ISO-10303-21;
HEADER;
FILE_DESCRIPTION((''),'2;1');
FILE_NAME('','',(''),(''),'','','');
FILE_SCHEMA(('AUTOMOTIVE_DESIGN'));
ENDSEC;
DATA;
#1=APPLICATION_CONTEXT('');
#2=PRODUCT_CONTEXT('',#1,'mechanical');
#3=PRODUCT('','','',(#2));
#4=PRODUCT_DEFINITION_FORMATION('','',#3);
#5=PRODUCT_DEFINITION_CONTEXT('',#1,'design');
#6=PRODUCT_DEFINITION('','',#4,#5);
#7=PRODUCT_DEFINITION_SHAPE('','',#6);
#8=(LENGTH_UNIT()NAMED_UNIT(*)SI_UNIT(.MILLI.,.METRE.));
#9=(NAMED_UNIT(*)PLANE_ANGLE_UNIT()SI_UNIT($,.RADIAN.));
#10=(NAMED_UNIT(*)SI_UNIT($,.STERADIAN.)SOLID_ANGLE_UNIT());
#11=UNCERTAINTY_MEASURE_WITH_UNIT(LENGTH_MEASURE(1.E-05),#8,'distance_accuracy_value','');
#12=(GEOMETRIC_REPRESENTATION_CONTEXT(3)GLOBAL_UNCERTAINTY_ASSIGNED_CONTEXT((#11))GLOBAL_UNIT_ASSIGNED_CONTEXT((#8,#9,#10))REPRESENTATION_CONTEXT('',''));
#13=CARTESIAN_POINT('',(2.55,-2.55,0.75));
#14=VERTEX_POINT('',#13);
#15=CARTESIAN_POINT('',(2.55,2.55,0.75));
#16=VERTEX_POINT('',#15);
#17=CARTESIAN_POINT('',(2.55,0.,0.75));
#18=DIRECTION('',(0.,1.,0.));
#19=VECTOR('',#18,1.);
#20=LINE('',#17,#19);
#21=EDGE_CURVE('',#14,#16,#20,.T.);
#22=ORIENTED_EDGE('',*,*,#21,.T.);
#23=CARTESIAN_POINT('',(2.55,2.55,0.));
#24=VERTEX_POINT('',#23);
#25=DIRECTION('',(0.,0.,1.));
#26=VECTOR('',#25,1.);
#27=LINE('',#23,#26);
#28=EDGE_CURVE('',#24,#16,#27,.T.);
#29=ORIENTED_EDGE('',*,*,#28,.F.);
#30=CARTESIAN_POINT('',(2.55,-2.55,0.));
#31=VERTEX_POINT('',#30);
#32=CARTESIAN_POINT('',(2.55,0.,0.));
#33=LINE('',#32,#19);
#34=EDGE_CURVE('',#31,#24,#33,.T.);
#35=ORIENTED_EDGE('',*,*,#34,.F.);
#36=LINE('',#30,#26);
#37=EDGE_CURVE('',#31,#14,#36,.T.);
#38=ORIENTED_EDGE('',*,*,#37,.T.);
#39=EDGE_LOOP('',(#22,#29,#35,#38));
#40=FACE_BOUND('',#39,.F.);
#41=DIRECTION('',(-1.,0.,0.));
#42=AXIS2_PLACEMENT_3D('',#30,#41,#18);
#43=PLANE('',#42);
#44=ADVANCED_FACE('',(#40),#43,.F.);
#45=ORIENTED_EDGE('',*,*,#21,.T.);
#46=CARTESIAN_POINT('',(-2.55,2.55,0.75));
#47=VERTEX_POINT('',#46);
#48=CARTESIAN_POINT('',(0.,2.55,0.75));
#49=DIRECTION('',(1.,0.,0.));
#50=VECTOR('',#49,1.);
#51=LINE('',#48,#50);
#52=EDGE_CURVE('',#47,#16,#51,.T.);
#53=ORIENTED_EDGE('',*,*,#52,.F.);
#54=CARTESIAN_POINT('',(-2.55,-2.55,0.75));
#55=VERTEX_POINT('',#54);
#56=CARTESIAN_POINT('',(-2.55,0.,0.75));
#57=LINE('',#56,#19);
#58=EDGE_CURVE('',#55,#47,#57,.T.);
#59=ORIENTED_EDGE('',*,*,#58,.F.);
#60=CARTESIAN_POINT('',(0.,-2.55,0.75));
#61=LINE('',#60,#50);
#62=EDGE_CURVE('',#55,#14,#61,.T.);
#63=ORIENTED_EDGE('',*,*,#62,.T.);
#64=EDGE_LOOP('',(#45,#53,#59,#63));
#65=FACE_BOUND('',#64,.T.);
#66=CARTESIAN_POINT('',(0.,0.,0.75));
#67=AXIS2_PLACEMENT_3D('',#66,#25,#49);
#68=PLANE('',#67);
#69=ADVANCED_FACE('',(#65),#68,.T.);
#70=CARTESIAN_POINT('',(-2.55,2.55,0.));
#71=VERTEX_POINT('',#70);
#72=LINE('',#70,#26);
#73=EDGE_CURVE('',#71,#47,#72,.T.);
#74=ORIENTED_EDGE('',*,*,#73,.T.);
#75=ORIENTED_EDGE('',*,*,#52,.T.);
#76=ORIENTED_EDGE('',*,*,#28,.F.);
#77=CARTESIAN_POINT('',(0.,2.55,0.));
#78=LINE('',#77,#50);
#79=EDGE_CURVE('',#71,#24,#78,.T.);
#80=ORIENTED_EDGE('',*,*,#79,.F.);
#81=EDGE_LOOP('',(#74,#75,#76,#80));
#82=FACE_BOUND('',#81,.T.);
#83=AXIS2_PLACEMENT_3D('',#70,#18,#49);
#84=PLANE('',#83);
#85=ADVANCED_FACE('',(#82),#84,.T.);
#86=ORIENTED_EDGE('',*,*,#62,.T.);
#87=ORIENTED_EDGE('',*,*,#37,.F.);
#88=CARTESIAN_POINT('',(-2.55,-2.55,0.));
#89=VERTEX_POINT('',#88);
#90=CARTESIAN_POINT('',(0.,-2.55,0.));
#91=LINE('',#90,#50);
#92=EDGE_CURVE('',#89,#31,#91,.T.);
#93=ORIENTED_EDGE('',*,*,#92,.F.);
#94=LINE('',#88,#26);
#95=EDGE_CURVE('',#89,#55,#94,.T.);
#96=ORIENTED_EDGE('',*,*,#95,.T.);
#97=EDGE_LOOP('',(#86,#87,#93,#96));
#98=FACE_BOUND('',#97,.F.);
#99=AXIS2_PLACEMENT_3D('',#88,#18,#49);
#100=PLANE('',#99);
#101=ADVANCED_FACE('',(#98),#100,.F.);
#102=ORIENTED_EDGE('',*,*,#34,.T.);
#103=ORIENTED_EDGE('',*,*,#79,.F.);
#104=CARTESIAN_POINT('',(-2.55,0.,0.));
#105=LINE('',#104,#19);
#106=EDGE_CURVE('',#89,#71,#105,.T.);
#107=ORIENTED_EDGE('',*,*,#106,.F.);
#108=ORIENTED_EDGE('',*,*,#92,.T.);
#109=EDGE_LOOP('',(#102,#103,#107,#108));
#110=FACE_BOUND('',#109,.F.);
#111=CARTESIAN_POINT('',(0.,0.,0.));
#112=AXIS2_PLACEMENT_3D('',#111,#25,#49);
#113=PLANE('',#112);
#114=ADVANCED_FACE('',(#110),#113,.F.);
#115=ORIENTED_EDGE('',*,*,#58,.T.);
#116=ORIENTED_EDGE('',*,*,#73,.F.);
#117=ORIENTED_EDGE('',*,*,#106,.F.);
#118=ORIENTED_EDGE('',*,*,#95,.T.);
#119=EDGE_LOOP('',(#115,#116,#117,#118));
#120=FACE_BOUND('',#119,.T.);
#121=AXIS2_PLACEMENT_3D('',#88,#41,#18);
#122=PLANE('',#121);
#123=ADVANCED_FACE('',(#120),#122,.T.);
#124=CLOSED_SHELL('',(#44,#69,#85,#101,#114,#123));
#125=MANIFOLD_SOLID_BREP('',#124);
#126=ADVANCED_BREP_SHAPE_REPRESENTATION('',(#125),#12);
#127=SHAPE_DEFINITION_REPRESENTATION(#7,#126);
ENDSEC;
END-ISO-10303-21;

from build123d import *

# Parameters (mm, degrees)
SKETCH_W  = 5.1
SKETCH_H  = 5.1
PAD_DEPTH = 0.75


with BuildPart() as part:
    # Sketch → Pad (new body)
    with BuildSketch(Plane.XY):
        Rectangle(SKETCH_W, SKETCH_H)
    extrude(amount=PAD_DEPTH)


solid = part.part
